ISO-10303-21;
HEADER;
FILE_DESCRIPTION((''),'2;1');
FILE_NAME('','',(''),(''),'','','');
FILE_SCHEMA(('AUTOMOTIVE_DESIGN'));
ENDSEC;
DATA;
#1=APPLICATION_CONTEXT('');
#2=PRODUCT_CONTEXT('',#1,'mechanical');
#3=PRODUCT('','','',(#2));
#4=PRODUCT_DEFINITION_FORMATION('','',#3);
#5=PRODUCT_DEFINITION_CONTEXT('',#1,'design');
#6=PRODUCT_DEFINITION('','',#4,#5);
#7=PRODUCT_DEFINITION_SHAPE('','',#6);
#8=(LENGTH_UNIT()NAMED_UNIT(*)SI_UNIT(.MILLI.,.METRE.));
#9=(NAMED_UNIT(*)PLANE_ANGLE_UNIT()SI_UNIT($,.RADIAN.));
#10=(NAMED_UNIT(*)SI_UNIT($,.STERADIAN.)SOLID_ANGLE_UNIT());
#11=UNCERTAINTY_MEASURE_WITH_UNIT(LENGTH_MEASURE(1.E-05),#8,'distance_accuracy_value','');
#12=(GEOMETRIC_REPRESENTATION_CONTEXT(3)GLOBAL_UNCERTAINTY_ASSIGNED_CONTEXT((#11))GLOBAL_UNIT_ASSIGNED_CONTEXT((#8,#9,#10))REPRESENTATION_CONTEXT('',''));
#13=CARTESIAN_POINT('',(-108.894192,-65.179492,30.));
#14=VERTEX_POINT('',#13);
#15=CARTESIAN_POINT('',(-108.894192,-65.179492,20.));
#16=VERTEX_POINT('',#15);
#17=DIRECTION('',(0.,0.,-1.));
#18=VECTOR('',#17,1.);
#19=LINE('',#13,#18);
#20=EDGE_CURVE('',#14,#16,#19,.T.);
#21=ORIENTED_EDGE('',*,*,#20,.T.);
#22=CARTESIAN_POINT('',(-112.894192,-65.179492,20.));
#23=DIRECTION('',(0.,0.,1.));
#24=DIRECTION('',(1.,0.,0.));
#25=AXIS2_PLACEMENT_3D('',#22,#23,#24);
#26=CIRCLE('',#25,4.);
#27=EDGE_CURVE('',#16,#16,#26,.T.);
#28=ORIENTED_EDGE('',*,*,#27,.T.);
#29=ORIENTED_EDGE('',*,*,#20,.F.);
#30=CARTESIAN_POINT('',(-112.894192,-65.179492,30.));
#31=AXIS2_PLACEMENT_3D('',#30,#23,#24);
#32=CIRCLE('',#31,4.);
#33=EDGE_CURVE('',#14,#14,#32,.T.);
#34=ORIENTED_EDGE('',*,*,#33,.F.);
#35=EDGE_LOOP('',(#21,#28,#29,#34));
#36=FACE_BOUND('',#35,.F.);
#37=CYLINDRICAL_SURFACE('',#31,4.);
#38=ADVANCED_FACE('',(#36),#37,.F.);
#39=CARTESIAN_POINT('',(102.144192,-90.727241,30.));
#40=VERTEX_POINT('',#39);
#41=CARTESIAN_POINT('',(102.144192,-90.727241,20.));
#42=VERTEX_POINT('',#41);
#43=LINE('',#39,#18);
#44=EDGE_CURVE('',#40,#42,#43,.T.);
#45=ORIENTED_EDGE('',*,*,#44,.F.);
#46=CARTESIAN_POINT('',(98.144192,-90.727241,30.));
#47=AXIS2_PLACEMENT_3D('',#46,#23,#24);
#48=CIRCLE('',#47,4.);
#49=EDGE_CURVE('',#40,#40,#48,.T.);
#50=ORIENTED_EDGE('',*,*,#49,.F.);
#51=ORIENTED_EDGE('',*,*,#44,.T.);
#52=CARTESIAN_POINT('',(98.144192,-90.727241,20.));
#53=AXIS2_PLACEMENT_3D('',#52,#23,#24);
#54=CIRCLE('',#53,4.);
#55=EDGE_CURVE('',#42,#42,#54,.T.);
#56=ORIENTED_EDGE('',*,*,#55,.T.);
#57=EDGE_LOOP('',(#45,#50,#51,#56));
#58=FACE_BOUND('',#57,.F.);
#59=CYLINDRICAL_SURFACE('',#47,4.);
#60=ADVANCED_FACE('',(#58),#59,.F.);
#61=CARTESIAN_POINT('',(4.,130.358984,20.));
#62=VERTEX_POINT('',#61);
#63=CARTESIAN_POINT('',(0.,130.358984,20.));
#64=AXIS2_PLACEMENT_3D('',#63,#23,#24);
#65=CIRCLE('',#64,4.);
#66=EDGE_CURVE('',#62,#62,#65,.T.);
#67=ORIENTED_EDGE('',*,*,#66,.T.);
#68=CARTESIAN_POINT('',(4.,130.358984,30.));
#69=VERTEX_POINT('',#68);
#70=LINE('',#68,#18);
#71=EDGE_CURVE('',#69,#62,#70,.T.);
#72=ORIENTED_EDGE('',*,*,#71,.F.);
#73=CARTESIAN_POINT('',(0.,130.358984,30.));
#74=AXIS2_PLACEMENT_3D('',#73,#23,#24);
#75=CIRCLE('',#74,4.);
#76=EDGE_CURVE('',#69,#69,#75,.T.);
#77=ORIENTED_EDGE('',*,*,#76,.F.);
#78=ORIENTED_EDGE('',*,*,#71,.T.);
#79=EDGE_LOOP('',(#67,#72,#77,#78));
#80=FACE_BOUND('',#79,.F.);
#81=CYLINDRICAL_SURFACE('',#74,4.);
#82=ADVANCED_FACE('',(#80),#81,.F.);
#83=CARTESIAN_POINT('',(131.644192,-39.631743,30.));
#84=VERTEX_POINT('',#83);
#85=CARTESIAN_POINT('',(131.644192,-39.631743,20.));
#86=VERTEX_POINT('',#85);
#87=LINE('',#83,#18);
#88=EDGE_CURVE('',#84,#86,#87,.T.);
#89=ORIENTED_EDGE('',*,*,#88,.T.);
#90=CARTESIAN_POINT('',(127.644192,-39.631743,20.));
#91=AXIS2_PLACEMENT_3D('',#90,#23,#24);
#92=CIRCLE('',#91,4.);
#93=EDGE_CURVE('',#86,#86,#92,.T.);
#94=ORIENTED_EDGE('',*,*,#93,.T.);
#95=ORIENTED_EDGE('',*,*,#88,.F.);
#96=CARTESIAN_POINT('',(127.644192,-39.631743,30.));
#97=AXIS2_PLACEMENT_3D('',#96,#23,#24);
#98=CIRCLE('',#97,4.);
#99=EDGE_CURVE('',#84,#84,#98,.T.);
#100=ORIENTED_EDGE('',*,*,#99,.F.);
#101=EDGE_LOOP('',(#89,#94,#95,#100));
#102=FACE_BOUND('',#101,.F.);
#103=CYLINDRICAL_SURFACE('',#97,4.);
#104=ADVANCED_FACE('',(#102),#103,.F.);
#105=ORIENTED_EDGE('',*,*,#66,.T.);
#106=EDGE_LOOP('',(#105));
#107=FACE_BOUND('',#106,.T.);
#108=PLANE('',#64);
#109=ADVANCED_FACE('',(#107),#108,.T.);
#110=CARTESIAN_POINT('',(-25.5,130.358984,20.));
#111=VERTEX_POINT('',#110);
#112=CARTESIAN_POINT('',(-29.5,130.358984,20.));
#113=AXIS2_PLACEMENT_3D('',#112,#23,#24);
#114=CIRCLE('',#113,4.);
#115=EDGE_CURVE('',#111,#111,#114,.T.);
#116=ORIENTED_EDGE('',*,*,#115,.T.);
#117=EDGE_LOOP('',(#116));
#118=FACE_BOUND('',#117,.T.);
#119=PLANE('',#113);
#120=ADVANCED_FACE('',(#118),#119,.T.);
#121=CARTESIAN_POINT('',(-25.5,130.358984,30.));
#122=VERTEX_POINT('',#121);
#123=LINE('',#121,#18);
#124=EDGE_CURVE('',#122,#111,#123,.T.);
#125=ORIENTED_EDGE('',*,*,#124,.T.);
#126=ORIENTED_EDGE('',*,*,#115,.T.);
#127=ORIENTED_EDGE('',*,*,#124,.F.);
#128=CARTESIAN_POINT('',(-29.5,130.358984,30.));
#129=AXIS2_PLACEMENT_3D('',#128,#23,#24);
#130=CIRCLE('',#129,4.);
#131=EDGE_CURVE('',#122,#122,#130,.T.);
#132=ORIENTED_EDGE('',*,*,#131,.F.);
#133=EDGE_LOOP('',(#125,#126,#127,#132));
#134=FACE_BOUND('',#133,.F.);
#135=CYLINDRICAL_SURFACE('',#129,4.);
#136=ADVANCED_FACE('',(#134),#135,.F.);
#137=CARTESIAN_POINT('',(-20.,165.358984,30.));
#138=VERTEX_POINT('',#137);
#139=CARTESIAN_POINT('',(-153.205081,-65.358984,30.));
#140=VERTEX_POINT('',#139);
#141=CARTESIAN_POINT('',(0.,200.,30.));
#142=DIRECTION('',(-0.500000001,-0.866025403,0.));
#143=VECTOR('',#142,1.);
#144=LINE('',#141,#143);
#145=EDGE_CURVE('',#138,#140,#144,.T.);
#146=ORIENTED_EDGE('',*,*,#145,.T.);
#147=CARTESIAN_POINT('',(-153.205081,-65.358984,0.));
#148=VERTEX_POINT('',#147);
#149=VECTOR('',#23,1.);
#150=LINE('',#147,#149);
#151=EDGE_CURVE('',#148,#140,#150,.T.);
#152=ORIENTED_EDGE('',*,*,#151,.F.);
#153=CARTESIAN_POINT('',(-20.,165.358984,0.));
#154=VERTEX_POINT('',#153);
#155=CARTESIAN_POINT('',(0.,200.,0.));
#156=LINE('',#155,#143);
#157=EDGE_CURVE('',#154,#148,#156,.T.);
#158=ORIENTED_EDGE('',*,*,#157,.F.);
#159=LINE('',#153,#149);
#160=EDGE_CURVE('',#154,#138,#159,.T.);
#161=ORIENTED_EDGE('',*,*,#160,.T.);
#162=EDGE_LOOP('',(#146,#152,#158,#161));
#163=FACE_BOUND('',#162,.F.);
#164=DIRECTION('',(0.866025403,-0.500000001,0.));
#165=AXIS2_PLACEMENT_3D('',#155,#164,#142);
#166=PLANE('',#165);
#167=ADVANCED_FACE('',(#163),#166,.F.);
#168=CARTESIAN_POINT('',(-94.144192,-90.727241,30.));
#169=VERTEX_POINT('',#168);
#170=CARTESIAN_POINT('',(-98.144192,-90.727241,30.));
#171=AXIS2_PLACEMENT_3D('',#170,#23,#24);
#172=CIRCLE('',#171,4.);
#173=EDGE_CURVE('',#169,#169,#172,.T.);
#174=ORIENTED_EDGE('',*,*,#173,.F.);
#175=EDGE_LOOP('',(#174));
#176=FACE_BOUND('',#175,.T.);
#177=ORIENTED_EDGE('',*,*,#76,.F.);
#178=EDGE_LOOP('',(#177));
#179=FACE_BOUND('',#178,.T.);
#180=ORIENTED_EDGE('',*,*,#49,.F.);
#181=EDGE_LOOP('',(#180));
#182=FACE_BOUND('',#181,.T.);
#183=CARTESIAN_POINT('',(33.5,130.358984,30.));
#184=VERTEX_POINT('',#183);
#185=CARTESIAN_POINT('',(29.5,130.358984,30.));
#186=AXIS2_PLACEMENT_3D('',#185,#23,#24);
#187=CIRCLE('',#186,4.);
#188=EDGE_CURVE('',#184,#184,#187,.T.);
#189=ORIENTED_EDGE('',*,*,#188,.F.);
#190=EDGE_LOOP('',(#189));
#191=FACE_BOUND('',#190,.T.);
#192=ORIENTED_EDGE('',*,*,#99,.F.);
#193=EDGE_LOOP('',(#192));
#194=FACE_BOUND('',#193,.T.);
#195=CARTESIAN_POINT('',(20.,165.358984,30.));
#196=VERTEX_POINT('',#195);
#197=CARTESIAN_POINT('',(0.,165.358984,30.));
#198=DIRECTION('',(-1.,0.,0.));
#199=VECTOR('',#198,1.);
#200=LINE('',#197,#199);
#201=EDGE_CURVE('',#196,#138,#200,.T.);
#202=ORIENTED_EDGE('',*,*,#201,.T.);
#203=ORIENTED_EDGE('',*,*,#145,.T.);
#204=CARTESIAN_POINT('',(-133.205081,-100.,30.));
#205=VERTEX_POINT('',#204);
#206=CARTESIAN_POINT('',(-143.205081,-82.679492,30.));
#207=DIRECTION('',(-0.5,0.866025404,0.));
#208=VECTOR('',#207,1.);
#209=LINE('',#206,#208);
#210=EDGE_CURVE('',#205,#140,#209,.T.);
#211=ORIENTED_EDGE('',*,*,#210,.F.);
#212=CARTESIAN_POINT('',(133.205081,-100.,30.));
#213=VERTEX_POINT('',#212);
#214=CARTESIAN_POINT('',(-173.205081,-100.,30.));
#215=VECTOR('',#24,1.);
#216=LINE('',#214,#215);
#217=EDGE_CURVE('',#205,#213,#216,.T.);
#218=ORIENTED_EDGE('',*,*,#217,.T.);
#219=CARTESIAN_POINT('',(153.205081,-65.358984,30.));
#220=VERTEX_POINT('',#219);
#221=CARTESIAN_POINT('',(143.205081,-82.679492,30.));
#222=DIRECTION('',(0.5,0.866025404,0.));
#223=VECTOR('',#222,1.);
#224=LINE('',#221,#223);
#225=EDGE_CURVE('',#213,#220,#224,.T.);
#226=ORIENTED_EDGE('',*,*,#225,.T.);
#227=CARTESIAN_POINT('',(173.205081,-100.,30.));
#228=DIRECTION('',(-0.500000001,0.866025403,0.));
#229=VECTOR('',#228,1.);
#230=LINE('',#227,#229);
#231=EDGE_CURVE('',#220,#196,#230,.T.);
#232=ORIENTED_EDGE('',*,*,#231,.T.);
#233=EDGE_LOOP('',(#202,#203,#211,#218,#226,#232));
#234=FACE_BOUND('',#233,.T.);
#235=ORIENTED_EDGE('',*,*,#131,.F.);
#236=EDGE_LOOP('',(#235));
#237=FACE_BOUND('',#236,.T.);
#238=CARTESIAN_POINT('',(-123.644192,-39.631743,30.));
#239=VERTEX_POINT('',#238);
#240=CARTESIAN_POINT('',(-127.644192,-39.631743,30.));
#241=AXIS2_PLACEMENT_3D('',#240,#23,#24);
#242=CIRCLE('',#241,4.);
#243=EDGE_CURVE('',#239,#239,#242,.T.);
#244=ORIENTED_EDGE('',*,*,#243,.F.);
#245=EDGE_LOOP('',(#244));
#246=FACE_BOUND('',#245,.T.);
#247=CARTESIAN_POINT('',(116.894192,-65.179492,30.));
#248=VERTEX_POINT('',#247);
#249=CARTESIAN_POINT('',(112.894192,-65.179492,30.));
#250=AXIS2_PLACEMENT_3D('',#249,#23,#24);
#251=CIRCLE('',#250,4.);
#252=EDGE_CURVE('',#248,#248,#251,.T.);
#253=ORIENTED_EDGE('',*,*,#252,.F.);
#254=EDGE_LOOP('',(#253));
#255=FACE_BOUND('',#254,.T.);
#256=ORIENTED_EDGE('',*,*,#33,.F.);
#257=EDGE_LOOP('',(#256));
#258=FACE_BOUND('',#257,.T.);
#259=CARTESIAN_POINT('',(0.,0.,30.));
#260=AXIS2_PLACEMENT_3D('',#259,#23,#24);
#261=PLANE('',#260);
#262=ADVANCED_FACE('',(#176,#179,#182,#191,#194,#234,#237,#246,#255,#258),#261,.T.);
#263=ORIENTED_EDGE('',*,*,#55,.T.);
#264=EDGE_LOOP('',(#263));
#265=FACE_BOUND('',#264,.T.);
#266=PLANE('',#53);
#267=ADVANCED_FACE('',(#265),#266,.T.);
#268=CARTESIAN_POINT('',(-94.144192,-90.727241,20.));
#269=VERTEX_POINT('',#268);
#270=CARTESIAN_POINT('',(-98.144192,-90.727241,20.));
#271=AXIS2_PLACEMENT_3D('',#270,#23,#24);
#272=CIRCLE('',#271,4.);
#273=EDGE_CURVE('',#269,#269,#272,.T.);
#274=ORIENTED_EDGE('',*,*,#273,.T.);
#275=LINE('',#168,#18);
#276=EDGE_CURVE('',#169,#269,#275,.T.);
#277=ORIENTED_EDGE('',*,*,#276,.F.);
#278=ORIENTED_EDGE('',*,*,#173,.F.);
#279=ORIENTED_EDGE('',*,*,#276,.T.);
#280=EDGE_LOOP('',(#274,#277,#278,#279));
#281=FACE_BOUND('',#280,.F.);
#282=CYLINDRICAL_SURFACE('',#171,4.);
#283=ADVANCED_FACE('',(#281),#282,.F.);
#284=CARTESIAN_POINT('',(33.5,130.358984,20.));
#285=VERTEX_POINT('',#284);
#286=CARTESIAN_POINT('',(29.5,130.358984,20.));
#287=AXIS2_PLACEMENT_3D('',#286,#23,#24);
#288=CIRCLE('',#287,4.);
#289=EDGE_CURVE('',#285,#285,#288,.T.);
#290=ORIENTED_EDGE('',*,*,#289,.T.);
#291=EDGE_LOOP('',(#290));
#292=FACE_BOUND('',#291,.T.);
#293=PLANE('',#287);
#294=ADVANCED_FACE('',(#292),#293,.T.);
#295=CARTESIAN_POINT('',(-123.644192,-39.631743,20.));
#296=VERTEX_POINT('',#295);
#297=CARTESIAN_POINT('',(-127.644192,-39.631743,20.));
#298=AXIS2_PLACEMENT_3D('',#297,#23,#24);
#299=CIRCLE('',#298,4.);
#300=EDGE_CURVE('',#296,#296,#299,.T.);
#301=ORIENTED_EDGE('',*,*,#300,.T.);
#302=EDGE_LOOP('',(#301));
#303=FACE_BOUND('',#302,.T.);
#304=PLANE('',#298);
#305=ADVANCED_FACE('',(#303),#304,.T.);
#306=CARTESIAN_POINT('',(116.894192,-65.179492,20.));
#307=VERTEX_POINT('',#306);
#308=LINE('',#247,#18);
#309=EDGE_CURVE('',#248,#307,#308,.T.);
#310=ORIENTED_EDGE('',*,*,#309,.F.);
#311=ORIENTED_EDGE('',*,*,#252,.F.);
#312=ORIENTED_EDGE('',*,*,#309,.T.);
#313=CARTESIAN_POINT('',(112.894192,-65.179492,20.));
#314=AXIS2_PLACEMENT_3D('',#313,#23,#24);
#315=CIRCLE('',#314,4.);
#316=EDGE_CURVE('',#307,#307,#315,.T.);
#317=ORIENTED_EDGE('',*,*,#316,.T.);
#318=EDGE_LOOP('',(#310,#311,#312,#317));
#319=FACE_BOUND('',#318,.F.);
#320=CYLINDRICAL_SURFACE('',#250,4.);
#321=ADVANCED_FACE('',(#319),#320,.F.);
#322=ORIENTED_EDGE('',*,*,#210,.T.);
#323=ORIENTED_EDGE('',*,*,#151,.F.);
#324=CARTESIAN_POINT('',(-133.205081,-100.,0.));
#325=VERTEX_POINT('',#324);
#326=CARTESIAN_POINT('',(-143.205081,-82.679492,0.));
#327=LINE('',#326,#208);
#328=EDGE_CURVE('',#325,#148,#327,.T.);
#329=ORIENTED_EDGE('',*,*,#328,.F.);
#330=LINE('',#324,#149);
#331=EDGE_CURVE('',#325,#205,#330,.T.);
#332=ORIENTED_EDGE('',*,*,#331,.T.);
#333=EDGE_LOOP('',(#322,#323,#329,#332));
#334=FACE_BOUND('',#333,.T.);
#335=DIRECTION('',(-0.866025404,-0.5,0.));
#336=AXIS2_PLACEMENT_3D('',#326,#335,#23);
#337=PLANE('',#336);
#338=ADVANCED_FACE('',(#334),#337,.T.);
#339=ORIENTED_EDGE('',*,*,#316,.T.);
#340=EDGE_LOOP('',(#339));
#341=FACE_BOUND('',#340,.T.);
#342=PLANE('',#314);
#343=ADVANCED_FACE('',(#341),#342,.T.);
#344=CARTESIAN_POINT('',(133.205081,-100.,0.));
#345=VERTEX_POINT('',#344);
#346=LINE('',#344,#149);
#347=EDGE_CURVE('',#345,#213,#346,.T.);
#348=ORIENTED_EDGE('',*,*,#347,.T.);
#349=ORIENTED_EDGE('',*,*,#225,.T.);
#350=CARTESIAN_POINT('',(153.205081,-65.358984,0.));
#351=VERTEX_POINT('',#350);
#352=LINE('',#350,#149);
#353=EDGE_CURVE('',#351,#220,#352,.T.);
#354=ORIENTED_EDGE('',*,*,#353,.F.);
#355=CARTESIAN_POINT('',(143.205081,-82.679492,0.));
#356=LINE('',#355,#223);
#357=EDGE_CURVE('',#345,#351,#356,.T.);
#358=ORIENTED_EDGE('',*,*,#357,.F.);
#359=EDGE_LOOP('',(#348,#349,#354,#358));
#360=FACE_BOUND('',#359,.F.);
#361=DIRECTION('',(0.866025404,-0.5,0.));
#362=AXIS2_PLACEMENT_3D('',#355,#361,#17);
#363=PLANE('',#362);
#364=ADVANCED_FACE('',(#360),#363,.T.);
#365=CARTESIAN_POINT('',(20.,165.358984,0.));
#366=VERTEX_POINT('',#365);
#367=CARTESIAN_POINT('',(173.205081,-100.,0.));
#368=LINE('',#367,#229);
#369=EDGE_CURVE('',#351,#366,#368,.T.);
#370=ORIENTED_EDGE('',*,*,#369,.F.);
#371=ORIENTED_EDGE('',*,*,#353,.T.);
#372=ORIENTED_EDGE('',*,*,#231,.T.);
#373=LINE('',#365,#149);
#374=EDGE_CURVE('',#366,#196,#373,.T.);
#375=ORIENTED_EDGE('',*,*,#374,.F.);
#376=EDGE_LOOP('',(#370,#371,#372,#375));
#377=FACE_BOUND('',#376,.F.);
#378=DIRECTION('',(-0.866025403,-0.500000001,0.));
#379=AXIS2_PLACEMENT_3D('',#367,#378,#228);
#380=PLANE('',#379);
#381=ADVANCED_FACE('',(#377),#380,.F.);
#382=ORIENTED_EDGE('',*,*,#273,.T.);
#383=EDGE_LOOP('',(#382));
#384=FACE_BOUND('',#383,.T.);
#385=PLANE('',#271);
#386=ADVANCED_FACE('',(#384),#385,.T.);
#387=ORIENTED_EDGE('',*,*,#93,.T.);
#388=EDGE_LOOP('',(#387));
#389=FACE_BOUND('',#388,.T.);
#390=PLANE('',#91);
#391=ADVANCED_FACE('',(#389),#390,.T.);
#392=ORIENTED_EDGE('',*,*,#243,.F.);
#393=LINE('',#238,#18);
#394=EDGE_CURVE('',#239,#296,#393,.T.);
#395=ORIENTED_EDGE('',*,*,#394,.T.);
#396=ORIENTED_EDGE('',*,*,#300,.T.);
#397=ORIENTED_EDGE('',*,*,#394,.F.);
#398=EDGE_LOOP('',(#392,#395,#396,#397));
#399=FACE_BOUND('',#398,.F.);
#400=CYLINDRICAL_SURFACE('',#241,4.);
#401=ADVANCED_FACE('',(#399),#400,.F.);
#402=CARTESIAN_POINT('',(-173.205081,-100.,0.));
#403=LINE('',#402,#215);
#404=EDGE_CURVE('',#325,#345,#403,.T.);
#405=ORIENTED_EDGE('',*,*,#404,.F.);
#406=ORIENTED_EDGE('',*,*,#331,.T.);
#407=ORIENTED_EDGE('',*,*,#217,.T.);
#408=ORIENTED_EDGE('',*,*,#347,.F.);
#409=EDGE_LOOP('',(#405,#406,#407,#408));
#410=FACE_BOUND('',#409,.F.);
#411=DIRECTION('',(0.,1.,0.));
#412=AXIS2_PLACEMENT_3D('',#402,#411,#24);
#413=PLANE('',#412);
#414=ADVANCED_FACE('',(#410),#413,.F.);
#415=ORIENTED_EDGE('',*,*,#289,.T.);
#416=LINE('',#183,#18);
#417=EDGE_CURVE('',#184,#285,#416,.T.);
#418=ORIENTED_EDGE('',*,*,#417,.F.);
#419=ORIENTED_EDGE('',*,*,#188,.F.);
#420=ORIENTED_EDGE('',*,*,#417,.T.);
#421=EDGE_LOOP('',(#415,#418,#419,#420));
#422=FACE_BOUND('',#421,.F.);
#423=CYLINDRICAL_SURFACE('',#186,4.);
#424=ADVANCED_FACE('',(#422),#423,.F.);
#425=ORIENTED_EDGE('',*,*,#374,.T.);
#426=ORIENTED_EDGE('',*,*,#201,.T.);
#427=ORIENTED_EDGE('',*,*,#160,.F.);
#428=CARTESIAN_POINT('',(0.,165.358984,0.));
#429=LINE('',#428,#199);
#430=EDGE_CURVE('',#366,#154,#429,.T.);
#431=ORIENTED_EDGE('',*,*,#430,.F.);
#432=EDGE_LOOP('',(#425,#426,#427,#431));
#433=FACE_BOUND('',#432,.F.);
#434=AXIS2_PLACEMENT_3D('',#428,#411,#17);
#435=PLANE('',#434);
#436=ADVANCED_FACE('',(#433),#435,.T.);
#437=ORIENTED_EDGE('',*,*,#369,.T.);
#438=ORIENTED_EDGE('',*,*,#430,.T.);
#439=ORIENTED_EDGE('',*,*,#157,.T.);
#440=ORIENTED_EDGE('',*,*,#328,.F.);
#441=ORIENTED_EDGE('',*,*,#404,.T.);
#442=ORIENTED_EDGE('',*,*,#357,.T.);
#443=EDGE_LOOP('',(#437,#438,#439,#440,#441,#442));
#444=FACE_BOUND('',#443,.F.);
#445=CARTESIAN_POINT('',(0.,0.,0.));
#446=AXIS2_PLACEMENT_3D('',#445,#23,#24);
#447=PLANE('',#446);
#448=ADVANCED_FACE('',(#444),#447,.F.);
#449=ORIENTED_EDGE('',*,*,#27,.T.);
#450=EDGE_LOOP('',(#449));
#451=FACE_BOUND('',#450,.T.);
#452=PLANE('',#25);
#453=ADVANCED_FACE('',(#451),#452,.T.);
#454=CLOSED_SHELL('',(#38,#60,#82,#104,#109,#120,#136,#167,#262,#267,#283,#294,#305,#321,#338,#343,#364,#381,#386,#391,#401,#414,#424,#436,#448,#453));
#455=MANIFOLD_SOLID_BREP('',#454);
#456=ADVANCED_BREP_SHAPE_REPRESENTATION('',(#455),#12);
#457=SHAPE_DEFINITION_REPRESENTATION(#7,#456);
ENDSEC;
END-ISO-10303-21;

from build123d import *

# Parameters (mm, degrees)
F1_DEPTH = 30
F2_SIZE  = 40
F3_R     = 4
F4_DEPTH = 10


with BuildPart() as f1:
    # F0 (on Top) → F1 (new body)
    with BuildSketch(Plane.XY):
        Polygon((-173.205081, -100), (173.205081, -100), (0, 200), align=None)
    extrude(amount=F1_DEPTH)

    # F2
    f2_edges = [f1.edges().sort_by_distance(p)[0] for p in [
        (-173.205081, -100, 15),
        (173.205081, -100, 15),
        (0, 200, 15),
    ]]
    chamfer(f2_edges, length=F2_SIZE)

    # F3 (on face) → F4 (cut)
    with BuildSketch(Plane.XY.offset(30)):
        with Locations((-29.5, 130.358984)):
            Circle(F3_R)
        with Locations((29.5, 130.358984)):
            Circle(F3_R)
        with Locations((-98.144192, -90.727241)):
            Circle(F3_R)
        with Locations((-127.644192, -39.631743)):
            Circle(F3_R)
        with Locations((127.644192, -39.631743)):
            Circle(F3_R)
        with Locations((98.144192, -90.727241)):
            Circle(F3_R)
        with Locations((0, 130.358984)):
            Circle(F3_R)
        with Locations((-112.894192, -65.179492)):
            Circle(F3_R)
        with Locations((112.894192, -65.179492)):
            Circle(F3_R)
    extrude(amount=-F4_DEPTH, mode=Mode.SUBTRACT)


solid = f1.part
